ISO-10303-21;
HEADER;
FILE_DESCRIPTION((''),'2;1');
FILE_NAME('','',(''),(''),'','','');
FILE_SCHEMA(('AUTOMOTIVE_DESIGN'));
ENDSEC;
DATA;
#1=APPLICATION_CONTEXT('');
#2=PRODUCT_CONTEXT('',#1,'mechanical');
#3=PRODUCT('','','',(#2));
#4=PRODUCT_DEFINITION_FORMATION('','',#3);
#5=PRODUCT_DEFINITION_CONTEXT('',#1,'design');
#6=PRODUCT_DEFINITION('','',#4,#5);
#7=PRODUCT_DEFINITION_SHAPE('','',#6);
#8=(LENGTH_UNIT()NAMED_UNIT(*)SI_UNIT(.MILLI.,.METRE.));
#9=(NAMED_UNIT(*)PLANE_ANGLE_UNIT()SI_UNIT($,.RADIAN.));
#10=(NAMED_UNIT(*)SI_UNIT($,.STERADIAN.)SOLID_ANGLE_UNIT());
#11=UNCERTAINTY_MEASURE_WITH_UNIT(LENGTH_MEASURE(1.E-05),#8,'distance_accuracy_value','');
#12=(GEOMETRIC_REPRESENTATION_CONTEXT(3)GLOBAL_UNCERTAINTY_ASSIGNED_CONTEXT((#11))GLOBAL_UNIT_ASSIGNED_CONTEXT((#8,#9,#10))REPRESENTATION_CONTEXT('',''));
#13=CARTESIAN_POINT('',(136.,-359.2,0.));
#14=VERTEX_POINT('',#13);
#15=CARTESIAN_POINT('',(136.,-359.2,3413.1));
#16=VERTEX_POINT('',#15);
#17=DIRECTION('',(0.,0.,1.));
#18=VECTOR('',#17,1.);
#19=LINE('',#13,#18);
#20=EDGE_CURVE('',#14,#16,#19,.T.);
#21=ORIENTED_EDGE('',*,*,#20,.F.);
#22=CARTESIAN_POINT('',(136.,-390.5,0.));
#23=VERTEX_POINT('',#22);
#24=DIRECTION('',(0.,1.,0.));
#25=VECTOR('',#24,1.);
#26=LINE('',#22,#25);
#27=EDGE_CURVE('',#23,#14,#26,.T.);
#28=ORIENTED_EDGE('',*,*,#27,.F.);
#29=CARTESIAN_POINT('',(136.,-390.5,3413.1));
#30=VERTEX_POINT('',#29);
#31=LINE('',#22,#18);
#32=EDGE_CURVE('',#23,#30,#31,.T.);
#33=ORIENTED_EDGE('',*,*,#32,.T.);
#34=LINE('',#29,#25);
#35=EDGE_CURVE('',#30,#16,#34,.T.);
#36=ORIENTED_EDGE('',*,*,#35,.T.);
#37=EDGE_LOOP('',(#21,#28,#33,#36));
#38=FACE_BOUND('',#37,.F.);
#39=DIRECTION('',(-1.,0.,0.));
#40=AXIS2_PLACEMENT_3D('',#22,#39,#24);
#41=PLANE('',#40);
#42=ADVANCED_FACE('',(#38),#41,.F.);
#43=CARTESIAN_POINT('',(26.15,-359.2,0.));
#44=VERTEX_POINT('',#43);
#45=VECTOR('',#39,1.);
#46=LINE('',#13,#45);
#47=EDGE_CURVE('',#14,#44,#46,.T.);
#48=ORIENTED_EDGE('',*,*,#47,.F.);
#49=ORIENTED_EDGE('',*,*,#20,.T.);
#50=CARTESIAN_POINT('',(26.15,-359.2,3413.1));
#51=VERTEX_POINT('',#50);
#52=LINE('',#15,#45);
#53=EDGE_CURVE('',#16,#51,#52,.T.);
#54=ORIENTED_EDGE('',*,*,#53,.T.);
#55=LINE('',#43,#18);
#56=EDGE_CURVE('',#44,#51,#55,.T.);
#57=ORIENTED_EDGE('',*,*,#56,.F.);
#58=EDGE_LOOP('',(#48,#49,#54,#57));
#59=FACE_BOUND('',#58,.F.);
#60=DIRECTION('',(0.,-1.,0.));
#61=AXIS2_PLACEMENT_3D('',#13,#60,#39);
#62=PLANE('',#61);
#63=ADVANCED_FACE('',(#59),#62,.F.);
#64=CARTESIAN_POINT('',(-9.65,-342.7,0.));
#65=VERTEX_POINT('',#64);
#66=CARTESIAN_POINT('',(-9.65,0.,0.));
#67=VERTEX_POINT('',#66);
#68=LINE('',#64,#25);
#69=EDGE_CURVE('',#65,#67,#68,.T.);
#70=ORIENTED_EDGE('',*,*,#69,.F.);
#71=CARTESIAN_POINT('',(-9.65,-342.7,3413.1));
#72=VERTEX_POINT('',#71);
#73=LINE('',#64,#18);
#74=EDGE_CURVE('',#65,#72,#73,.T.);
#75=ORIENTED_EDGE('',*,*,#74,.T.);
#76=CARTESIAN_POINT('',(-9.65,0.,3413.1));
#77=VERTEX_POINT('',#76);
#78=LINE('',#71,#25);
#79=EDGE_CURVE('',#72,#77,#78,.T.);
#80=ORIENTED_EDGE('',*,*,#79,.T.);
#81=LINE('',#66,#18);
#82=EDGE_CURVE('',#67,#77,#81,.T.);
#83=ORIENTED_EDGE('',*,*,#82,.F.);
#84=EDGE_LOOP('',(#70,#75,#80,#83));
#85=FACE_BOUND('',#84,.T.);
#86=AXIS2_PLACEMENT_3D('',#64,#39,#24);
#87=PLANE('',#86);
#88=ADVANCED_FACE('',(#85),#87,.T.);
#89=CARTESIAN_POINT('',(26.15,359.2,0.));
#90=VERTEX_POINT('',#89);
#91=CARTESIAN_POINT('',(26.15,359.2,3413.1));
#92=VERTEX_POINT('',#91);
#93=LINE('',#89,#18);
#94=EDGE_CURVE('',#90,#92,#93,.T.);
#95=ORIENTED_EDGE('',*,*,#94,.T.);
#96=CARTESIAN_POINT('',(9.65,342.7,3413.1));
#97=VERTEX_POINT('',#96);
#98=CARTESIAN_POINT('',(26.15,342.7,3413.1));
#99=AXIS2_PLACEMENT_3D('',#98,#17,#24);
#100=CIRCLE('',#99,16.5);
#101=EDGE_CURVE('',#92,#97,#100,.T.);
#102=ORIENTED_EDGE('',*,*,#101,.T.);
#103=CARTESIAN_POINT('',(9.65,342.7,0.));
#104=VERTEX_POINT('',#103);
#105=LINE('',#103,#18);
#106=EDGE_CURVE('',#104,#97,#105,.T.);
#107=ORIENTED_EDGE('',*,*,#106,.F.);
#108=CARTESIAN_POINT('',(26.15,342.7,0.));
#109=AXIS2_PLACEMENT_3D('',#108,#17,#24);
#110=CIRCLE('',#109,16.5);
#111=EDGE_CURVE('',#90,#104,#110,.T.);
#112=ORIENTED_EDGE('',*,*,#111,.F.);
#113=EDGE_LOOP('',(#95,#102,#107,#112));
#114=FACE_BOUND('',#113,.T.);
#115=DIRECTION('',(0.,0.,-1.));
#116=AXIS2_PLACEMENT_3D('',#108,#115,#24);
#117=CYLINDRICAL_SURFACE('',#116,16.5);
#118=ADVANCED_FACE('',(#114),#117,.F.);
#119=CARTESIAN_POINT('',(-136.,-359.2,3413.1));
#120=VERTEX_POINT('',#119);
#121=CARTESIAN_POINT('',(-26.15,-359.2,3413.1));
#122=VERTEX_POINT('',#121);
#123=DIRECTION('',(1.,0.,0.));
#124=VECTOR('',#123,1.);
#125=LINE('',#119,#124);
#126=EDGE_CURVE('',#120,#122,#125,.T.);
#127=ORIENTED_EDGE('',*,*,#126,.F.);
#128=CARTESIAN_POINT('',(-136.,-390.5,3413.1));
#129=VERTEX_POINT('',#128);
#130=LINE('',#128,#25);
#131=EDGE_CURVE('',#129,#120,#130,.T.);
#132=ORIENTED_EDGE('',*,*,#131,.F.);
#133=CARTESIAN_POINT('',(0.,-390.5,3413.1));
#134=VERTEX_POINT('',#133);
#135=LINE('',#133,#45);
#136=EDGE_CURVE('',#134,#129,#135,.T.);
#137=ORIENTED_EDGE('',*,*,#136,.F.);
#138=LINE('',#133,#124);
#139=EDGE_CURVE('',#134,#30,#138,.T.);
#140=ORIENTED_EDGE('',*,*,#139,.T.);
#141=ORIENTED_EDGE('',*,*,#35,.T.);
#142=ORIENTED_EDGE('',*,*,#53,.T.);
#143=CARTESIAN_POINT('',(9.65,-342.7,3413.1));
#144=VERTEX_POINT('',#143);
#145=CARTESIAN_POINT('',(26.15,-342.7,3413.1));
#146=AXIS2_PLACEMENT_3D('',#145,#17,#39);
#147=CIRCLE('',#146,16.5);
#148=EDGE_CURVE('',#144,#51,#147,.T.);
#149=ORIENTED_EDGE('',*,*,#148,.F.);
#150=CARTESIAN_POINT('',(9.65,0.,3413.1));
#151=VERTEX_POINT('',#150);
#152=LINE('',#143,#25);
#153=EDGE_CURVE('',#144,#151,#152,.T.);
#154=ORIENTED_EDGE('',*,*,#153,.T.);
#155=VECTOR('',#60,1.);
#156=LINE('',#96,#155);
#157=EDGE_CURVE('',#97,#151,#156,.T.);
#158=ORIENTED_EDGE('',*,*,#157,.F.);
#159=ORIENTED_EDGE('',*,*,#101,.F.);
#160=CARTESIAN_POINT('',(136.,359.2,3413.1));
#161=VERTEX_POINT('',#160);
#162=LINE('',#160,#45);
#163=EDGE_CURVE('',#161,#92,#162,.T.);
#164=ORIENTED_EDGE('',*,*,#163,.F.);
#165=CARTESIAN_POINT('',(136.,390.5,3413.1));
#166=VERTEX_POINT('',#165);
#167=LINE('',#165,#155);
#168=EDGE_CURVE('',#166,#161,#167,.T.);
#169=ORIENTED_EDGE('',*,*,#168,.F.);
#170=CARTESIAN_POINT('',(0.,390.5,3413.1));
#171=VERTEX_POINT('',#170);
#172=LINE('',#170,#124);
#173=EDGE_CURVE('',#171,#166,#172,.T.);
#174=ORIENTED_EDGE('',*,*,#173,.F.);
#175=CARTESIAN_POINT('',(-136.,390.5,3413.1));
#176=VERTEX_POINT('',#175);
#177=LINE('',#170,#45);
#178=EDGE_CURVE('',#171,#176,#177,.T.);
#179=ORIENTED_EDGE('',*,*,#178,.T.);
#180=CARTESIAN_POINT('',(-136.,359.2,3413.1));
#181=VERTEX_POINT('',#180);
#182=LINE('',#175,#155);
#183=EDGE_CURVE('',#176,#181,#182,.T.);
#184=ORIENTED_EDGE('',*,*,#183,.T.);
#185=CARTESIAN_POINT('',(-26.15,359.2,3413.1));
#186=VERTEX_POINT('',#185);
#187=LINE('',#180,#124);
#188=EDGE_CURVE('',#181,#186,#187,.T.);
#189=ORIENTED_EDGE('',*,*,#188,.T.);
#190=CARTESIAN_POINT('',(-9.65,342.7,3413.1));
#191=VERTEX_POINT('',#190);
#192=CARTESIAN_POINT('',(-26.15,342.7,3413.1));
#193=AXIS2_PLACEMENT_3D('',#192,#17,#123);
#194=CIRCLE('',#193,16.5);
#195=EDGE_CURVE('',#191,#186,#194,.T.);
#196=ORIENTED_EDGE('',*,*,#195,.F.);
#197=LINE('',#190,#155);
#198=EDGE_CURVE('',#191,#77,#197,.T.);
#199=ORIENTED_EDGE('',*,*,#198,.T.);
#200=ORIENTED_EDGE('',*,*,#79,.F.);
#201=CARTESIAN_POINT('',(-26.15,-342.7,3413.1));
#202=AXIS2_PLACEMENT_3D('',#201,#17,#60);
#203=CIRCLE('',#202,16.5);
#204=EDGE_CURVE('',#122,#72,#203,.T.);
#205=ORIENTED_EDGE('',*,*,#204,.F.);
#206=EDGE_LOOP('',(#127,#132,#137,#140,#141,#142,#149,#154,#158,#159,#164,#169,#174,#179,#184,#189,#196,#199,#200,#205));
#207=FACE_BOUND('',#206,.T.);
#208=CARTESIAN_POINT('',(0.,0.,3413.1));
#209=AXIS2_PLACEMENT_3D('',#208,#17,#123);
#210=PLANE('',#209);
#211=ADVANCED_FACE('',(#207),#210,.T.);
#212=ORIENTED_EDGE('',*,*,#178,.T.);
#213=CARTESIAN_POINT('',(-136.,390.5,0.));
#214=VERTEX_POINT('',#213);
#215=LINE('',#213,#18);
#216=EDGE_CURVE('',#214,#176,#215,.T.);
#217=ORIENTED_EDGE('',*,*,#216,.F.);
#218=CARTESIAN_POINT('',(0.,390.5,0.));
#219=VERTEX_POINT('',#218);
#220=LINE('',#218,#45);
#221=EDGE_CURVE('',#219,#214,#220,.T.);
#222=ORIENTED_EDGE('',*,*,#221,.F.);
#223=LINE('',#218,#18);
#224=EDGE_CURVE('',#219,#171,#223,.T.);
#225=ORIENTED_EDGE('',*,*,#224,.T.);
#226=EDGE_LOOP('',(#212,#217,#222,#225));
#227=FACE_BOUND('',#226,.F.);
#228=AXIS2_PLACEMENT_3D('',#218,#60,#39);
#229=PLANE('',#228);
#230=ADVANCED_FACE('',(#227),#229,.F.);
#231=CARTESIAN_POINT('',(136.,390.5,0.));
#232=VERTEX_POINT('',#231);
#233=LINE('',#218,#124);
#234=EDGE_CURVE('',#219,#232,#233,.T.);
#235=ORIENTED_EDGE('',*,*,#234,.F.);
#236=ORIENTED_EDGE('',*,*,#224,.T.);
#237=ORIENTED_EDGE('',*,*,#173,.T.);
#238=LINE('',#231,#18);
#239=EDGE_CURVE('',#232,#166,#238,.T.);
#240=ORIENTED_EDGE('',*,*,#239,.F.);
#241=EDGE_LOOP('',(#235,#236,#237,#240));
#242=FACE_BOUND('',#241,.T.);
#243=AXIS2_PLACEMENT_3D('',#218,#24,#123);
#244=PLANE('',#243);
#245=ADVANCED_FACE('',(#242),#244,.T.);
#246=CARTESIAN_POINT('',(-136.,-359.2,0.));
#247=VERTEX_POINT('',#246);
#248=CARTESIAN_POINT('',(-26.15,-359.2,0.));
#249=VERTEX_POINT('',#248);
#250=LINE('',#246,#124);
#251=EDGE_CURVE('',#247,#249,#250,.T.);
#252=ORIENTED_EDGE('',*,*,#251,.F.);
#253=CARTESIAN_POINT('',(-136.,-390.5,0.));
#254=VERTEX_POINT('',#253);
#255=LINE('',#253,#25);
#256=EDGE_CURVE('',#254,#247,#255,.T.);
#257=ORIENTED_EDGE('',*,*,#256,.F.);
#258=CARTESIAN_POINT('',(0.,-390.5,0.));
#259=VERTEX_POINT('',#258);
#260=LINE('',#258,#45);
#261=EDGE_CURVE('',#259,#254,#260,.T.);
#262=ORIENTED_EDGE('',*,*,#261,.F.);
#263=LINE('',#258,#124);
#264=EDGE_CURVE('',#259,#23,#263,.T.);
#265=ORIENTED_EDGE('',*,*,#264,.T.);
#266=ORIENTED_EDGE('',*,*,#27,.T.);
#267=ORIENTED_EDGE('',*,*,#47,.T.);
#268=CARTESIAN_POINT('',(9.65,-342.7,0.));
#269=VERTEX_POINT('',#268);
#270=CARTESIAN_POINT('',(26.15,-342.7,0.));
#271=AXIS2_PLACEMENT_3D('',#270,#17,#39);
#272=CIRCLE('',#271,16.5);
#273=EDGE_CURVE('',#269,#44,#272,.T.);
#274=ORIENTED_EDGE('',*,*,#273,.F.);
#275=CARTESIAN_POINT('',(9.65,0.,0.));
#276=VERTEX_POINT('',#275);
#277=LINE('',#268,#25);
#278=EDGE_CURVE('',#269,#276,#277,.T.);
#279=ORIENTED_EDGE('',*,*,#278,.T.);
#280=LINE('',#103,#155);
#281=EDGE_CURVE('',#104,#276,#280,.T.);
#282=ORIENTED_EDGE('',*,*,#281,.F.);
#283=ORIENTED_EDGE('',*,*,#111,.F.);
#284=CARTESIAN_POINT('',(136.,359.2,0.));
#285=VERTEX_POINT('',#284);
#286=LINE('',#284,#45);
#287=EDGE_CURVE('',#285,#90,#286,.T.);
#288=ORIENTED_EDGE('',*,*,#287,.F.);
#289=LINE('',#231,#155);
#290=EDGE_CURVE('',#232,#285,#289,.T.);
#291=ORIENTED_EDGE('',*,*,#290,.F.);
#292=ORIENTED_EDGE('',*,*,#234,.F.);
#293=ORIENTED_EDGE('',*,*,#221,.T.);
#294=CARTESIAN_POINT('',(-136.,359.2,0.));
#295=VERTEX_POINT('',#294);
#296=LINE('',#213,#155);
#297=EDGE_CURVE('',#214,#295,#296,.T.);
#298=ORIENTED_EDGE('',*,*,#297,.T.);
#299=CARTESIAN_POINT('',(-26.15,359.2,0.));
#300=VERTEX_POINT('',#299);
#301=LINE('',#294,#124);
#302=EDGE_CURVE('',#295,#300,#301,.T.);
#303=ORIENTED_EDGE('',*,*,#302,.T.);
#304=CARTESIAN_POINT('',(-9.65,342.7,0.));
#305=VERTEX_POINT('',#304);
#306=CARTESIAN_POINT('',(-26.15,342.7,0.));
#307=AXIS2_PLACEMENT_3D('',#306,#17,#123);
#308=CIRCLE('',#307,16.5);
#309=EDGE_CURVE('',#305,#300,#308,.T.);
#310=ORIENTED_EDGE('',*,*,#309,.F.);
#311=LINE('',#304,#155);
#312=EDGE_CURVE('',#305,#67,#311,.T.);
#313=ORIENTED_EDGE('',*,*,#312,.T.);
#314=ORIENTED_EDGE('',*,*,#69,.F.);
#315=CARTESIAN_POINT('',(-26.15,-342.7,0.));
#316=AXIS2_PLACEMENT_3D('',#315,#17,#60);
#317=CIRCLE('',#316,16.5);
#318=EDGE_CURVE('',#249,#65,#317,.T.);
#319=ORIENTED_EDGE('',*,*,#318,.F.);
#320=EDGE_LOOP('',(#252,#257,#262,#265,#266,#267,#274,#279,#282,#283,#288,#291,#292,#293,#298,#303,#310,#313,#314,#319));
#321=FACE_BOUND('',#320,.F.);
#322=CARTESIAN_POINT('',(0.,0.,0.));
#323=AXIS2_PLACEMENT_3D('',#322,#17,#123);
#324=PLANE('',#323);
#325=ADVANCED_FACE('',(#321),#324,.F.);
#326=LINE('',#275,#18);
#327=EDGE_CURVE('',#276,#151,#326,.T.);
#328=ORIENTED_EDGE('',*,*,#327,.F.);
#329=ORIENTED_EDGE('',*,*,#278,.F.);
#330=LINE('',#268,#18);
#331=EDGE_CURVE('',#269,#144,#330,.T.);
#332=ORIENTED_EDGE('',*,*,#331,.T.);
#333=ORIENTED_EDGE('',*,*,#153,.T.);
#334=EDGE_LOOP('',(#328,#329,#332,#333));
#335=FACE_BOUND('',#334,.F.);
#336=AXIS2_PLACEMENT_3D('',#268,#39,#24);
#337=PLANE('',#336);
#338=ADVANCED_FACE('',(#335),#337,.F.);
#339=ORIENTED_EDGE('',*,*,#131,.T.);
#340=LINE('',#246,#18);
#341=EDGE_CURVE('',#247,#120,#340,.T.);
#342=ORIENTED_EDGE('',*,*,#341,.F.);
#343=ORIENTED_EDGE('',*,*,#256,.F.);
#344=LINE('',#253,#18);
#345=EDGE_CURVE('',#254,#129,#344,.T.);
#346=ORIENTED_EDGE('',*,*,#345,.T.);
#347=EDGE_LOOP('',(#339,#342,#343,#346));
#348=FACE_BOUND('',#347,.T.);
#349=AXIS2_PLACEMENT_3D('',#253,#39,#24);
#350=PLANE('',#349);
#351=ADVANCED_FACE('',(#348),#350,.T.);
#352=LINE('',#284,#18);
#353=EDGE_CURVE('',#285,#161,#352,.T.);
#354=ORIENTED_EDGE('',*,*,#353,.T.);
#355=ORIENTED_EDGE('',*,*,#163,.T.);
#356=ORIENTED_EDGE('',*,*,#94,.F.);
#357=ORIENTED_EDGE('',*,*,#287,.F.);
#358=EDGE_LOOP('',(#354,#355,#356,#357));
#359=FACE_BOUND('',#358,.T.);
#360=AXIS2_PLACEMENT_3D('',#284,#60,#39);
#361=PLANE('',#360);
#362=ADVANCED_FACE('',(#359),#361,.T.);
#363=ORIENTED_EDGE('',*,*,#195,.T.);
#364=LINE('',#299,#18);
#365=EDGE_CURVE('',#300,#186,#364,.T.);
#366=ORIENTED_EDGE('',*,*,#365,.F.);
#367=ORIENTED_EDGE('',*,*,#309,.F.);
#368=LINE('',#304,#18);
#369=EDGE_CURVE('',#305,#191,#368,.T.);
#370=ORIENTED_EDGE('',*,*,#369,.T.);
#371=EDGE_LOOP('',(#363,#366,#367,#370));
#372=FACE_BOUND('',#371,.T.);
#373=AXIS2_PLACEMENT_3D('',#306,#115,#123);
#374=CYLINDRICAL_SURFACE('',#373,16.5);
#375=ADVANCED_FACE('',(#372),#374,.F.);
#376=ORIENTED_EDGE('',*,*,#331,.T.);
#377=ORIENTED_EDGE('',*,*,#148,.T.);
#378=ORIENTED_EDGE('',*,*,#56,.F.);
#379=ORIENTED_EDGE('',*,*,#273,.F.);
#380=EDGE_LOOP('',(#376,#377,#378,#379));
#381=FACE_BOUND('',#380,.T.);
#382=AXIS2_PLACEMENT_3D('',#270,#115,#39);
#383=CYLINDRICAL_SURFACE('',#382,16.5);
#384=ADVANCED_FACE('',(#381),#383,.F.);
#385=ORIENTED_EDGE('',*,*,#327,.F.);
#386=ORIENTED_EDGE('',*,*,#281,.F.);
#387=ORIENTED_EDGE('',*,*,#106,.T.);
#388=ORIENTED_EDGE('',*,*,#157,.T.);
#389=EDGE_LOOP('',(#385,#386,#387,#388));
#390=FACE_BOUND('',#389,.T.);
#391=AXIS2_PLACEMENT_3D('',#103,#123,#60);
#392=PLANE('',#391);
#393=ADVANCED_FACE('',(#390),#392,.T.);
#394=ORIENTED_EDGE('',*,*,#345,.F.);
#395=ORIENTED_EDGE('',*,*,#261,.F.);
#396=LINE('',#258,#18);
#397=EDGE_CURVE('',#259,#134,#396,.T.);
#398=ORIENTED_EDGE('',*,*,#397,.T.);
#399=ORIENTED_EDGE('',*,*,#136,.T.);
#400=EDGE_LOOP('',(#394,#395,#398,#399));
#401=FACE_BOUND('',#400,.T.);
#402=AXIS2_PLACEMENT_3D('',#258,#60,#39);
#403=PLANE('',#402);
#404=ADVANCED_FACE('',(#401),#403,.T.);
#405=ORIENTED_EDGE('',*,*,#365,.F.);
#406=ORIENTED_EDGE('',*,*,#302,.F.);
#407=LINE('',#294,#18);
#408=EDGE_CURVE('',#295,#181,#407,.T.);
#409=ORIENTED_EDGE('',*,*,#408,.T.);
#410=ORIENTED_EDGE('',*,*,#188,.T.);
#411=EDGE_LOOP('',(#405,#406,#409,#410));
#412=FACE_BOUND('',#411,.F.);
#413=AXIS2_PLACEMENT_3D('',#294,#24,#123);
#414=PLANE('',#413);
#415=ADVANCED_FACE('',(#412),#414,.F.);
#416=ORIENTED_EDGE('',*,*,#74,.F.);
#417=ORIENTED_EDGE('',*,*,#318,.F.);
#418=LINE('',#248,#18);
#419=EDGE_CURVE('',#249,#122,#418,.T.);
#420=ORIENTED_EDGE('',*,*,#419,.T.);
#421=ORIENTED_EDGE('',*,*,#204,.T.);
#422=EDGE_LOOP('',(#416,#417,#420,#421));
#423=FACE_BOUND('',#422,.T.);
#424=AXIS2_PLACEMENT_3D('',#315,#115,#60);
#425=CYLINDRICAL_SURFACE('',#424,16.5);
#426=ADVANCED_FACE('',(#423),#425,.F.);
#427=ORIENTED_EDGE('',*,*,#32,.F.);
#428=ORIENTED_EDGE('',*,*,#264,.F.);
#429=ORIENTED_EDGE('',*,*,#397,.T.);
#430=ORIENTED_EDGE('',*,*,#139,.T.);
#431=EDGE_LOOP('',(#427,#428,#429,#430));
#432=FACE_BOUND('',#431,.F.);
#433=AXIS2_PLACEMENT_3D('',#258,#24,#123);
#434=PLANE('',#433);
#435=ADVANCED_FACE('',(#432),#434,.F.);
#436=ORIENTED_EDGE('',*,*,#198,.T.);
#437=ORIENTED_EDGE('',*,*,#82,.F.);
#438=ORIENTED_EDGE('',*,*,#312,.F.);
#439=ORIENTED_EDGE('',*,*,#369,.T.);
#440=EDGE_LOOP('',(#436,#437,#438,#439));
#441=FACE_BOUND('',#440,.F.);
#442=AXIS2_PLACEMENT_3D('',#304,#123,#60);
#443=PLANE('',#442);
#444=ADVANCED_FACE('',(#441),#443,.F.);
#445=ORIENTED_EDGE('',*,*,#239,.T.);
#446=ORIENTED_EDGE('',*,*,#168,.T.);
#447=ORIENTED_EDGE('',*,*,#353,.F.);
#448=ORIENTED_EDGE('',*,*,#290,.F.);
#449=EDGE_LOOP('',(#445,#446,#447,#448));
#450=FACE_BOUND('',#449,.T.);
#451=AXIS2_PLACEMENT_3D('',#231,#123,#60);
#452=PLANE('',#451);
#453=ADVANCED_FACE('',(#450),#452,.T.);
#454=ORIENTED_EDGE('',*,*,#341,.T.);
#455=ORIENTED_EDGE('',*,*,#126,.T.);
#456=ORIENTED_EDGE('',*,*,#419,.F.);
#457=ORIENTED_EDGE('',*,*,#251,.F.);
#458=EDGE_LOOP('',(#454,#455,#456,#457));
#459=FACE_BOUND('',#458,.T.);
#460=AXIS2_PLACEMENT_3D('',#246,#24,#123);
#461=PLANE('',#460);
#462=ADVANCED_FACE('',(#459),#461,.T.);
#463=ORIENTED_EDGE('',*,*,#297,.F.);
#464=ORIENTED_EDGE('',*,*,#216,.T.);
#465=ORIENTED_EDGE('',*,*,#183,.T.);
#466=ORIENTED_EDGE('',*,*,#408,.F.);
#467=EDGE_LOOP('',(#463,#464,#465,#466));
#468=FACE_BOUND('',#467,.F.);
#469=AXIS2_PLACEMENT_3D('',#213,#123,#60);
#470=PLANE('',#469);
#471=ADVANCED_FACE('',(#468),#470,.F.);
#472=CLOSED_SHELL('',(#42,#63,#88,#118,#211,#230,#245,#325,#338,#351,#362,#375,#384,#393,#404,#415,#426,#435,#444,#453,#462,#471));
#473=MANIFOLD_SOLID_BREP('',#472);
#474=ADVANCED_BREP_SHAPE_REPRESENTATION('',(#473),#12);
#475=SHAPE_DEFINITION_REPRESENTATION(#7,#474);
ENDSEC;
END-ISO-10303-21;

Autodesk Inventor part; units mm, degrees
ref_plane "YZ Plane" through (0, 0, 0) normal (1, 0, 0) x (0, 1, 0)
ref_plane "Start plane" through (0, 0, 0) normal (0, 0, 1) x (1, 0, 0)
ref_plane "End plane" through (0, 0, 3413.1) normal (0, 0, 1) x (1, 0, 0)
sketch "Sketch" plane through (0, 0, 0) normal (0, 0, 1) x (1, 0, 0)
  line L0 (-136, -390.5) -> (-136, -359.2)
  line L1 (-136, -359.2) -> (-26.15, -359.2)
  line L2 (-9.65, -342.7) -> (-9.65, 0)
  line L3 (-9.65, 0) -> (0, 0) construction
  line L4 (0, 0) -> (0, -390.5) construction
  line L5 (0, -390.5) -> (-136, -390.5)
  line L6 (-60, 0) -> (80, 0) construction
  line L7 (0, -60) -> (0, 80) construction
  line L8 (136, -390.5) -> (136, -359.2)
  line L9 (136, -359.2) -> (26.15, -359.2)
  line L10 (9.65, -342.7) -> (9.65, 0)
  line L11 (9.65, 0) -> (0, 0) construction
  line L12 (0, -390.5) -> (136, -390.5)
  line L13 (-136, 390.5) -> (-136, 359.2)
  line L14 (-136, 359.2) -> (-26.15, 359.2)
  line L15 (-9.65, 342.7) -> (-9.65, 0)
  line L16 (0, 390.5) -> (-136, 390.5)
  line L17 (136, 390.5) -> (136, 359.2)
  line L18 (136, 359.2) -> (26.15, 359.2)
  line L19 (0, 390.5) -> (136, 390.5)
  line L20 (9.65, 342.7) -> (9.65, 0)
  arc A0 (-9.65, 342.7) -> (-26.15, 359.2) centre (-26.15, 342.7) ccw
  arc A1 (26.15, 359.2) -> (9.65, 342.7) centre (26.15, 342.7) ccw
  arc A2 (9.65, -342.7) -> (26.15, -359.2) centre (26.15, -342.7) ccw
  arc A3 (-26.15, -359.2) -> (-9.65, -342.7) centre (-26.15, -342.7) ccw
  line L21 (0, 108) -> (0, -88) construction
  line L22 (-88, 0) -> (108, 0) construction
  point P0 (-9.65, -359.2)
  point P1 (9.65, -359.2)
  point P2 (-9.65, 359.2)
  point P3 (9.65, 359.2)
  dimension "d1" = 390.5
  dimension "d2" = 31.3
  dimension "d3" = 136
  dimension "d4" = 9.65
  dimension "d10" = 16.5
extrude "Body" add sketch "Sketch" along normal up to surface (3413.1 mm away) from surface at 0
sketch "Sketch4" plane through (0, 0, 0) normal (0, 0, 1) x (1, 0, 0)
  line L0 (0, 0) -> (10, 0)
ref_plane "Work Plane3" through (0, 0, 0) normal (0, -1, 0) x (1, 0, 0)
sketch "Sketch5" plane through (0, 0, 0) normal (0, -1, 0) x (1, 0, 0)
  line L0 (-2, 0) -> (12, 0) projected
  line L1 (-2, 3413.1) -> (12, 3413.1) projected
  dimension "d14" = 3413.1
equation "\"d1\" = 0.5 * G_H"
equation "\"d2\" = G_T1"
equation "\"d3\" = 0.5 * G_W"
equation "\"d4\" = 0.5 * G_T"
equation "\"d10\" = G_IR"
equation "\"d5\" = G_L"
equation "\"G_W\" = 272"
equation "\"G_H\" = 781"
equation "\"G_T\" = 19.3"
equation "\"G_T1\" = 31.3"
equation "\"G_IR\" = 16.5"
equation "\"G_L\" = d14"
equation "\"G_OFFSET_START\" = 0"
equation "\"G_OFFSET_END\" = 0"
equation "\"d12\" = G_OFFSET_END + B_L"
equation "\"B_L\" = 3413.1"
properties part number "AS 3679-1990 - 760 UB - 244 - 3413.1" material "Steel, Mild"
